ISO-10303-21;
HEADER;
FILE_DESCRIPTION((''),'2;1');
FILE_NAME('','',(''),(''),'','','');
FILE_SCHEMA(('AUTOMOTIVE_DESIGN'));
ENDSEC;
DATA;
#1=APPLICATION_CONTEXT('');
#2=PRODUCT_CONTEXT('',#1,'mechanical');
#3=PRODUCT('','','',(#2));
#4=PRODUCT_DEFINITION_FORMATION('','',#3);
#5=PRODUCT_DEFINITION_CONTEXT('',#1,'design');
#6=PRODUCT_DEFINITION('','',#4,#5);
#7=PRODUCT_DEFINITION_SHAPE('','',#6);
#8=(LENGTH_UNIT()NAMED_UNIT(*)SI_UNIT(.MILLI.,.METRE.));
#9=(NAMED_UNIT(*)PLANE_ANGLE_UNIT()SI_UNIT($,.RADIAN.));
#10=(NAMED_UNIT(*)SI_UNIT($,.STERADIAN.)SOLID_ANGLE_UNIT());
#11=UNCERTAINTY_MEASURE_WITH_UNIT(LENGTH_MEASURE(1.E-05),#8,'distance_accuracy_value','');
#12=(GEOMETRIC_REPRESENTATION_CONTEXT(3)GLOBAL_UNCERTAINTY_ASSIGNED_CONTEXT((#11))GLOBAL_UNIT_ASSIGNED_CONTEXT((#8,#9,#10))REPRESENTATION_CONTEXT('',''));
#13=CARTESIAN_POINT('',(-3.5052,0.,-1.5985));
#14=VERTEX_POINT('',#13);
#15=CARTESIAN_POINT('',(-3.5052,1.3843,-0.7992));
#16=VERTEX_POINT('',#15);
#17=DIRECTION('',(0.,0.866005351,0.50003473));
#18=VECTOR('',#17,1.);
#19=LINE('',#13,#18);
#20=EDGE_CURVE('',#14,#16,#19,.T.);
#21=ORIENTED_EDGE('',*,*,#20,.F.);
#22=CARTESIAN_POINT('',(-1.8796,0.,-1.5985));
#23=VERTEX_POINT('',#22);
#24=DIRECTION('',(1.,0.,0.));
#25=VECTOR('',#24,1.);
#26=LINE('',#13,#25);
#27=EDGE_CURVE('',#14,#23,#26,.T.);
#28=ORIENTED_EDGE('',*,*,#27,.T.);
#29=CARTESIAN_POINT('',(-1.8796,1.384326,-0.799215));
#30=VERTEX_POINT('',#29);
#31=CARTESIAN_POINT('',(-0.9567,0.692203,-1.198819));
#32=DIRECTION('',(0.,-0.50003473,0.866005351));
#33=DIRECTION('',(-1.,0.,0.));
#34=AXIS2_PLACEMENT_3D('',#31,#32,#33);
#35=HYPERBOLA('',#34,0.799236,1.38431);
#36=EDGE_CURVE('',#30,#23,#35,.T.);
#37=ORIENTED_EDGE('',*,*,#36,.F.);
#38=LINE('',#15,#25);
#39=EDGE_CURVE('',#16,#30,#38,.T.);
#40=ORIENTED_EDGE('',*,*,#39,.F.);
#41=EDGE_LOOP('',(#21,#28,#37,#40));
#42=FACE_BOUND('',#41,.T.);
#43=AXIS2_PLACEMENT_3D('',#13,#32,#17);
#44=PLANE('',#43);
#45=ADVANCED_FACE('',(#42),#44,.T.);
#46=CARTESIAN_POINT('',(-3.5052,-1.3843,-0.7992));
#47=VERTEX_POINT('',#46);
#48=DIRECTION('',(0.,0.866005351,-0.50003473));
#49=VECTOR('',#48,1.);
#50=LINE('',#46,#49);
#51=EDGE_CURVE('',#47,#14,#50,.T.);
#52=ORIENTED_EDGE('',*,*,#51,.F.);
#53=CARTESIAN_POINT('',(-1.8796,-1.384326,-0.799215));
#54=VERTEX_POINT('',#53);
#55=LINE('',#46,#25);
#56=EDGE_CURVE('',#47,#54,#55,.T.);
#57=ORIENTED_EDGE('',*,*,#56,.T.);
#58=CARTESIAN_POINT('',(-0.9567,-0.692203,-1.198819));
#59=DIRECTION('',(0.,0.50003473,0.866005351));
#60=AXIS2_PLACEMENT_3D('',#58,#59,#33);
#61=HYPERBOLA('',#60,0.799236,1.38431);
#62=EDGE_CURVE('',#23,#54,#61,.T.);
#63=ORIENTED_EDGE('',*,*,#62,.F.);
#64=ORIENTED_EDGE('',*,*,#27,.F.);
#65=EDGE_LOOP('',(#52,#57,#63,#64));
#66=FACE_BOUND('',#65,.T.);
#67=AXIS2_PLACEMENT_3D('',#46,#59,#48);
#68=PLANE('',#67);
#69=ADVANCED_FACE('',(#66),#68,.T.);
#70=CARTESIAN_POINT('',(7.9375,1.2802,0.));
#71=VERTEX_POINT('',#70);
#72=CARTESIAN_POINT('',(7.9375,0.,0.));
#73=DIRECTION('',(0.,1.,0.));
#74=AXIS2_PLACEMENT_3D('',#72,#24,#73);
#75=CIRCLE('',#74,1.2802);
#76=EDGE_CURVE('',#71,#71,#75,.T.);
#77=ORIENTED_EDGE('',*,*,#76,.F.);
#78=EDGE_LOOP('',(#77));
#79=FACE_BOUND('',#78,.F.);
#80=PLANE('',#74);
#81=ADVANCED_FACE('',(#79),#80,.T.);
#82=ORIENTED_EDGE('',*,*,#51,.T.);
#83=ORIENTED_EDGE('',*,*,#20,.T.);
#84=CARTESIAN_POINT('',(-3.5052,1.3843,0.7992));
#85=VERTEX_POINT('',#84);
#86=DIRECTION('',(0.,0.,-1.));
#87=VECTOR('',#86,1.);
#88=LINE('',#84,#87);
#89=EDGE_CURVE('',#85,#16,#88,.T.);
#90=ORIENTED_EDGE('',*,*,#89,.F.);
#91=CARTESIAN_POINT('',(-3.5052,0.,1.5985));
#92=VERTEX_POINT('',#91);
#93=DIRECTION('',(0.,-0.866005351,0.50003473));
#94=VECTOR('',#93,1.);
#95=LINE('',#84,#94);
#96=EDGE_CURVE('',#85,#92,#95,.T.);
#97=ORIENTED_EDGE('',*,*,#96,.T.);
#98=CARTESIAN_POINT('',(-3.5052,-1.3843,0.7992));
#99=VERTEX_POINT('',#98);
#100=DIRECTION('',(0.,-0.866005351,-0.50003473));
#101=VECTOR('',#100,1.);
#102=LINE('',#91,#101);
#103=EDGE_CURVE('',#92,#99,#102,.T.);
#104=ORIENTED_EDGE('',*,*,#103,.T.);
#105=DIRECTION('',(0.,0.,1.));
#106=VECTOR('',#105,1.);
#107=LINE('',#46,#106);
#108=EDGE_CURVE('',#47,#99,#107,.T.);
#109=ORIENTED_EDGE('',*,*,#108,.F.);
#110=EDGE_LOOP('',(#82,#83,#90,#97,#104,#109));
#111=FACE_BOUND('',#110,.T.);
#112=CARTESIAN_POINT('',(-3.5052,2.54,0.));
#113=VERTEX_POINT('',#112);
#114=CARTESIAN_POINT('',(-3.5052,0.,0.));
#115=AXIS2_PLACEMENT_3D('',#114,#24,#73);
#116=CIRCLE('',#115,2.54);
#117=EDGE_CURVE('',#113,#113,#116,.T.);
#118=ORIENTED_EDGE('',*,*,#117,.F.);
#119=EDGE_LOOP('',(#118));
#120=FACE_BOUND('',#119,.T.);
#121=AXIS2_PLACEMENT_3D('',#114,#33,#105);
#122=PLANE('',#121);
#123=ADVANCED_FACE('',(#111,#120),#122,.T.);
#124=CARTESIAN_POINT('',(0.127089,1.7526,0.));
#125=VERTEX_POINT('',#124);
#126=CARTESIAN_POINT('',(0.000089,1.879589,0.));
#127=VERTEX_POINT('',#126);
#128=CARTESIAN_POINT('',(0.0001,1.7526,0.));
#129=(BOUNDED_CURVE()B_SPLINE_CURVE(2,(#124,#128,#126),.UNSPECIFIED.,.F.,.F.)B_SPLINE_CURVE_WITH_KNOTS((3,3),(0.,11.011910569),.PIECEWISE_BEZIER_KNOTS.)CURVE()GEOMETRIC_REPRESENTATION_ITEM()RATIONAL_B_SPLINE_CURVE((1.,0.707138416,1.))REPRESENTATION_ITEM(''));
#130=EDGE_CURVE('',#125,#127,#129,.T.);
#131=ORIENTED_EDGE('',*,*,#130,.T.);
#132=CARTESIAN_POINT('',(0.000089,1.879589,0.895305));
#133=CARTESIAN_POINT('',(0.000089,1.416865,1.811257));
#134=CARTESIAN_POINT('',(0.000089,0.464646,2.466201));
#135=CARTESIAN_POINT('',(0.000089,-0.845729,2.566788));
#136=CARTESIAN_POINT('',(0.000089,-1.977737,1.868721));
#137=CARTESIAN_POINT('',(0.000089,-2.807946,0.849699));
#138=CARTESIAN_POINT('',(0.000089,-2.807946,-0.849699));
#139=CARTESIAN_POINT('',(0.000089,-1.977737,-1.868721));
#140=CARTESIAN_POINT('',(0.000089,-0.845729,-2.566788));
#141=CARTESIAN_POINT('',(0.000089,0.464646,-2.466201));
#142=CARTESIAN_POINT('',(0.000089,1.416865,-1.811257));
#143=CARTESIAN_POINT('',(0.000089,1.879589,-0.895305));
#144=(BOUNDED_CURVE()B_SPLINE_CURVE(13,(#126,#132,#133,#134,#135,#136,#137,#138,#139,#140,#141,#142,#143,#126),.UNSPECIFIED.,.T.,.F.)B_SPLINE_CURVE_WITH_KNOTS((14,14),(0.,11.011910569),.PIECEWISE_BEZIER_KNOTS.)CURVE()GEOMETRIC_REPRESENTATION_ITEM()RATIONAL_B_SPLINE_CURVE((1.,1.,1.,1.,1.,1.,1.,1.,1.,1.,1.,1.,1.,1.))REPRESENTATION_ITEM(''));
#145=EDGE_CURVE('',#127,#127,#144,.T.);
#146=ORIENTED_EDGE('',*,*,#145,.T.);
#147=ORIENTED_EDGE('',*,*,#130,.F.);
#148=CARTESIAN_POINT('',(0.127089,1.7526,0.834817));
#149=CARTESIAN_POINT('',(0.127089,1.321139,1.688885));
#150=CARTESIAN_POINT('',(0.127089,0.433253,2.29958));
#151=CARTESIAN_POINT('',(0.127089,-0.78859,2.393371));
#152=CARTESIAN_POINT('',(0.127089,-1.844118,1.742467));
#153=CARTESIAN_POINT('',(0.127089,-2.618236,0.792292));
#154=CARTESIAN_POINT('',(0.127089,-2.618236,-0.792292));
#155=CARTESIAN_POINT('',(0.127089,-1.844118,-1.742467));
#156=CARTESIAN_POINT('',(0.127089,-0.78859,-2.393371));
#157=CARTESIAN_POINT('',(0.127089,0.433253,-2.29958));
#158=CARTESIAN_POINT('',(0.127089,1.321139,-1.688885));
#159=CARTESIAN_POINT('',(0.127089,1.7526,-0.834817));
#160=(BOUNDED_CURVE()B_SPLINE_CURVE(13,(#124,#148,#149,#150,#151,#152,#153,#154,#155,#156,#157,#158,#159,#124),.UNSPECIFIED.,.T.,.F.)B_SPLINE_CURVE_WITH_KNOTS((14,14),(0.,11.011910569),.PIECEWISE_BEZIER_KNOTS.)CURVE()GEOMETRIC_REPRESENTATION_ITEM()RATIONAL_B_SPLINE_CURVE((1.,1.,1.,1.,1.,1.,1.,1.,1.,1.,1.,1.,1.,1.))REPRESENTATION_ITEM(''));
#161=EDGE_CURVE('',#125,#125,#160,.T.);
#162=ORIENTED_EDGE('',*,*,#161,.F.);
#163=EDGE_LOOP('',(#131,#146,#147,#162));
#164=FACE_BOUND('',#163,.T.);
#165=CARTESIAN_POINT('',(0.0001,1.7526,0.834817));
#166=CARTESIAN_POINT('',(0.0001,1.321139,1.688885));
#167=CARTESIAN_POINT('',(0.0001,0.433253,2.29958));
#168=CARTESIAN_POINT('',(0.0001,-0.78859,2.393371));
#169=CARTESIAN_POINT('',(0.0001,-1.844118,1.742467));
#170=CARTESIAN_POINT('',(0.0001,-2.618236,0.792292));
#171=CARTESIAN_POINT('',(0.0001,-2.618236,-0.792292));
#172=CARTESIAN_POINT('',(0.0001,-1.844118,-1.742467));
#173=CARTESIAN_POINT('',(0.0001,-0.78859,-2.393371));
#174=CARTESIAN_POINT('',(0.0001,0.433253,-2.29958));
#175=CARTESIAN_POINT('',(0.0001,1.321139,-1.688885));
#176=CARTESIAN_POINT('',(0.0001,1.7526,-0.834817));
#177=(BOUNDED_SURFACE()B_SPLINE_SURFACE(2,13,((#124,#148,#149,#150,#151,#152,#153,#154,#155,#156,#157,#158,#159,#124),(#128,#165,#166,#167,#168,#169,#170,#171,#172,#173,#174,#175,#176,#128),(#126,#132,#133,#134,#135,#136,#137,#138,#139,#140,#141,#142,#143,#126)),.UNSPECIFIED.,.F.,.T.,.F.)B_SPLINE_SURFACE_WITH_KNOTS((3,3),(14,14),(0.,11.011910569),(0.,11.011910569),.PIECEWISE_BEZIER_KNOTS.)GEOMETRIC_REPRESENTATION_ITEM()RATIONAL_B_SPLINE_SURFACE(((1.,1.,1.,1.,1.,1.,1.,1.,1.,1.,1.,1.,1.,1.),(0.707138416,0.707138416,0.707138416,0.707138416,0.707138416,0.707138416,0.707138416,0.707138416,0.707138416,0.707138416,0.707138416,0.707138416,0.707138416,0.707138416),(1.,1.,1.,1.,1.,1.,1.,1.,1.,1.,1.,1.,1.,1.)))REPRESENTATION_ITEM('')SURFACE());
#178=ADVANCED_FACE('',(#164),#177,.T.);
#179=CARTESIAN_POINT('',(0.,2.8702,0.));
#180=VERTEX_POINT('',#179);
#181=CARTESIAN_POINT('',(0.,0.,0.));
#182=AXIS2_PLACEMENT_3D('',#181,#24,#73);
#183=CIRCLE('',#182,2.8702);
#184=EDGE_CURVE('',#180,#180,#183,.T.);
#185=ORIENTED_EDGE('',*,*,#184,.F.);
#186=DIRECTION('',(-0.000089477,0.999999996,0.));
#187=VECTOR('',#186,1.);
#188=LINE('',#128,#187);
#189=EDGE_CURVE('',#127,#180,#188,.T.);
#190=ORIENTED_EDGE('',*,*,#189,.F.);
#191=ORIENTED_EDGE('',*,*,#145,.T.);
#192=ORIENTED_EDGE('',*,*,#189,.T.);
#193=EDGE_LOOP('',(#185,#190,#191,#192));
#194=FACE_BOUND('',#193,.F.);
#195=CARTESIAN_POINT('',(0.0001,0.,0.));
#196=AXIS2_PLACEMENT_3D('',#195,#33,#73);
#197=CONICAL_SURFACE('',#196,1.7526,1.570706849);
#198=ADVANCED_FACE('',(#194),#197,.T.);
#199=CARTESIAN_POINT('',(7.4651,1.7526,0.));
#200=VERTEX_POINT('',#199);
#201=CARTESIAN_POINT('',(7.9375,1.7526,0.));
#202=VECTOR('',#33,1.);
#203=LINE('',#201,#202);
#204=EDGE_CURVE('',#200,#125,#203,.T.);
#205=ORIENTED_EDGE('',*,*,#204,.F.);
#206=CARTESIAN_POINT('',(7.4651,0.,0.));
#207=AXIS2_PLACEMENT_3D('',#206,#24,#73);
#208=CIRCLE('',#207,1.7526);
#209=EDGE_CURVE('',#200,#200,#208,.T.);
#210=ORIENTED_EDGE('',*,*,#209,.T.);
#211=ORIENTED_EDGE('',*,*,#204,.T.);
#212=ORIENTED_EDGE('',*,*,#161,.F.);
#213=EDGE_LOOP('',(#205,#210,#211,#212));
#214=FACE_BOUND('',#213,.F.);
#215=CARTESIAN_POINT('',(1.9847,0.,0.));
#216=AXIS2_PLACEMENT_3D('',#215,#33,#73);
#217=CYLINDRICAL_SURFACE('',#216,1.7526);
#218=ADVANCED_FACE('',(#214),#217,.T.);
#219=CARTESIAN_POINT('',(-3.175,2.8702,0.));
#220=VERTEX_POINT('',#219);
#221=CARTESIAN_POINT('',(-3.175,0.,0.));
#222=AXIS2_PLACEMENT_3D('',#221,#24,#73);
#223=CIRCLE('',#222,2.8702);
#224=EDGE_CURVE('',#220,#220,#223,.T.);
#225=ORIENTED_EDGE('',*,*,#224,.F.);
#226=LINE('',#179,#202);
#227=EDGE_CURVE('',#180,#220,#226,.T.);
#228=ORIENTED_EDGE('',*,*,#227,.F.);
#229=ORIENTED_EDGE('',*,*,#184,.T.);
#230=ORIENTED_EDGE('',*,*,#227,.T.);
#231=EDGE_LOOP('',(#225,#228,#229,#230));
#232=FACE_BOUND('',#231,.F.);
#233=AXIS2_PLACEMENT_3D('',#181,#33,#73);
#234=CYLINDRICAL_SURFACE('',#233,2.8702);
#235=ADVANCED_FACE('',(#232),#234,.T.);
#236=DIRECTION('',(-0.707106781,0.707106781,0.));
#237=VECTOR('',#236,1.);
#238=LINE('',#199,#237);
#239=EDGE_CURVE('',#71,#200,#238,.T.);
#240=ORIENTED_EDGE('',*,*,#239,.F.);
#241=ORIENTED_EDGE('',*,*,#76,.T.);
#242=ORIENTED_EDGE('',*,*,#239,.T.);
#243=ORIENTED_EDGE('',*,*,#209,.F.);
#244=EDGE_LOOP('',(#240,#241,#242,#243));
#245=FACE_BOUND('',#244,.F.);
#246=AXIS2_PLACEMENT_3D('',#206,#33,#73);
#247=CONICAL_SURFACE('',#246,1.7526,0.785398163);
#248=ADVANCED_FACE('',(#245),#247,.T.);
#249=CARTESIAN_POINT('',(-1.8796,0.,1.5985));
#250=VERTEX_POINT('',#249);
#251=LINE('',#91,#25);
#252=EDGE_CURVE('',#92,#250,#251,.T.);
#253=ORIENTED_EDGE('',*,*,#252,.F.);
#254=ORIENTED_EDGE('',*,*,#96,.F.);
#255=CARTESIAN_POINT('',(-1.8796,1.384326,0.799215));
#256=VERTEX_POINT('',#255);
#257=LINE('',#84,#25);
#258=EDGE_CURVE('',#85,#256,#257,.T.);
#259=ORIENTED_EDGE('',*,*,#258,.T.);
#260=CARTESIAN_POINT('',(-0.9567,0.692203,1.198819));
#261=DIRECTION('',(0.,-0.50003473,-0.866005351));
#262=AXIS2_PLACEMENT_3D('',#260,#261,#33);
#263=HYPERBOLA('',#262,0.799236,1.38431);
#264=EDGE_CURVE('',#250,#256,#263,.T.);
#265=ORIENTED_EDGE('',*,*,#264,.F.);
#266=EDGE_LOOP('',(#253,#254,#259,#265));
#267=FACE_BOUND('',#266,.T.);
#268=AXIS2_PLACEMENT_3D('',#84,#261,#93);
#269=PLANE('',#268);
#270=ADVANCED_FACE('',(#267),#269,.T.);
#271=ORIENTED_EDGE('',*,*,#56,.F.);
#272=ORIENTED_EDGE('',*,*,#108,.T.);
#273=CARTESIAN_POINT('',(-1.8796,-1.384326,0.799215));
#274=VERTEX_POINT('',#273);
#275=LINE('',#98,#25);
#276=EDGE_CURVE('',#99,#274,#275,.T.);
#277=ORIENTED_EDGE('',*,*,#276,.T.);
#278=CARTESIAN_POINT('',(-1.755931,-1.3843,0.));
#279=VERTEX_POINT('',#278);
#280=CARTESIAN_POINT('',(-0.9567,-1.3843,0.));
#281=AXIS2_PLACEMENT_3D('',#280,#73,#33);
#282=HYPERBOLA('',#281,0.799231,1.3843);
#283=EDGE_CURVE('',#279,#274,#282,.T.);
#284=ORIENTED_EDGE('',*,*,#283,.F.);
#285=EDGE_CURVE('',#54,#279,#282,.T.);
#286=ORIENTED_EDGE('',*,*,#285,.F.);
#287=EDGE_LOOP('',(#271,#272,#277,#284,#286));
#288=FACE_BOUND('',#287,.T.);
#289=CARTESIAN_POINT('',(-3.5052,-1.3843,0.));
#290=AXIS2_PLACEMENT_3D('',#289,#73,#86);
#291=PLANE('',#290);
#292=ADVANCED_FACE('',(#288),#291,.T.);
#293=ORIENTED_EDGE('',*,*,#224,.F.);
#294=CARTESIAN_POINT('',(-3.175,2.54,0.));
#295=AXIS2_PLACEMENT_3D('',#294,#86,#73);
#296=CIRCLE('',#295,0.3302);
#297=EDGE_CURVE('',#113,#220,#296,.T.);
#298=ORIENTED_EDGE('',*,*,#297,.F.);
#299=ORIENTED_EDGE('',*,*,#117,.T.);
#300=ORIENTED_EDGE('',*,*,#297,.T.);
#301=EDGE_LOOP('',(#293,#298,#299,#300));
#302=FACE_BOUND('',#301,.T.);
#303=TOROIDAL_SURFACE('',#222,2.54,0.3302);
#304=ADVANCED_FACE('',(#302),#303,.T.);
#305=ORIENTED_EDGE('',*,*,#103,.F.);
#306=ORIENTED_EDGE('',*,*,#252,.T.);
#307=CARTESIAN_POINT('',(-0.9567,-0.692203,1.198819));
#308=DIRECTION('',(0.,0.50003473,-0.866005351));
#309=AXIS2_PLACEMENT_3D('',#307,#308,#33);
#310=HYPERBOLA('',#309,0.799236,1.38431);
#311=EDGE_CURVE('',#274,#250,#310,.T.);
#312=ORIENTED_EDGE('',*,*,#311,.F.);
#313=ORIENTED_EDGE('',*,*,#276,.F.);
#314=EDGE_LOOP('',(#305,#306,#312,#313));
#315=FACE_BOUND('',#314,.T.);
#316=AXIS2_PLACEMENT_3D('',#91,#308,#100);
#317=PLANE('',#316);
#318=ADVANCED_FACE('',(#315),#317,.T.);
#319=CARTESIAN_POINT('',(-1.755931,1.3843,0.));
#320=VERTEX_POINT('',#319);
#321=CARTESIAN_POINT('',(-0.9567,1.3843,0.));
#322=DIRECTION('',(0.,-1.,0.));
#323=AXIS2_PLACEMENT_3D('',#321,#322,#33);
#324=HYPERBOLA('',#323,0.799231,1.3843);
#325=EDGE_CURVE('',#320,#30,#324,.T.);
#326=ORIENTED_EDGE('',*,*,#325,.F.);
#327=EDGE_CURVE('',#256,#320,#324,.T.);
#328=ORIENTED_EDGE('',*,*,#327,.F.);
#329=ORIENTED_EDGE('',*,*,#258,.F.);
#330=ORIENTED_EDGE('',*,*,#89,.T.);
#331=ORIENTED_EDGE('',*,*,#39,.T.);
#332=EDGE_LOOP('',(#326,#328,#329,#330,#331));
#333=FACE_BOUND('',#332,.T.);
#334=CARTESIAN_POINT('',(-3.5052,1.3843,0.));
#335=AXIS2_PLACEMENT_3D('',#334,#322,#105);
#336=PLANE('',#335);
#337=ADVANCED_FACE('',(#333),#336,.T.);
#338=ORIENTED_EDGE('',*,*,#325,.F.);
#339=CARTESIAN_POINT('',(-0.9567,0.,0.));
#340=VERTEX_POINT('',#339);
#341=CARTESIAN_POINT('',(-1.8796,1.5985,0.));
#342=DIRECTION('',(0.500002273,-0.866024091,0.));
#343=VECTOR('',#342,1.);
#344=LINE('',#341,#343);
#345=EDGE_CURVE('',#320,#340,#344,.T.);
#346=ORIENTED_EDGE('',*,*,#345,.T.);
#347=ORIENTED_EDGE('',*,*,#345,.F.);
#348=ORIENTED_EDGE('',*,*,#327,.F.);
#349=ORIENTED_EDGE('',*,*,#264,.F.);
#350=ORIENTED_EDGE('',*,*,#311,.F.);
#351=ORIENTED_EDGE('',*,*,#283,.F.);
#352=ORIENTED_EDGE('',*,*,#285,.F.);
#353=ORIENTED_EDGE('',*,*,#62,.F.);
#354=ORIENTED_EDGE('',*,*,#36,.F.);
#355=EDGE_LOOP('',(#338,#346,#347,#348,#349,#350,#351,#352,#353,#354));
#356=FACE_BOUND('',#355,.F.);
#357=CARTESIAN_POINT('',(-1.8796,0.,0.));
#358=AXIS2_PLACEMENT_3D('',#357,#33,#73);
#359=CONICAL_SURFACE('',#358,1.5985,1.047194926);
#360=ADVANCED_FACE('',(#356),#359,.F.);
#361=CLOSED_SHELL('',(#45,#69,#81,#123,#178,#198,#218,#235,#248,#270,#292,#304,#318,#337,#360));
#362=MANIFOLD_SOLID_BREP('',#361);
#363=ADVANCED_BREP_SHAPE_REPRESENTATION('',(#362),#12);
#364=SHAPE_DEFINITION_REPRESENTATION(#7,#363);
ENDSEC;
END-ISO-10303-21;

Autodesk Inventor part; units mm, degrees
ref_plane "YZ Plane" through (0, 0, 0) normal (1, 0, 0) x (0, 1, 0)
ref_plane "XZ Plane" through (0, 0, 0) normal (0, 1, 0) x (-1, 0, 0)
sketch "Sketch1" plane through (0, 0, 0) normal (0, 0, 1) x (1, 0, 0)
  line L0 (-0.9567, 0) -> (7.9375, 0)
  line L1 (7.9375, 0) -> (7.9375, 1.7526)
  line L2 (7.9375, 1.7526) -> (1.9847, 1.7526)
  line L3 (1.9847, 1.7526) -> (0.0001, 1.7526)
  line L4 (0.0001, 1.7526) -> (0, 1.7526)
  line L5 (0, 1.7526) -> (0, 2.8702)
  line L6 (0, 2.8702) -> (-3.5052, 2.8702)
  line L7 (-3.5052, 2.8702) -> (-3.5052, 1.5985)
  line L8 (-3.5052, 1.5985) -> (-1.8796, 1.5985)
  line L9 (-1.8796, 1.5985) -> (-0.9567, 0)
  line L10 (-5.7937, 0) -> (10.226, 0) projected
  line L11 (0, -0.574) -> (0, 3.4442) projected
  line L12 (1.9847, 1.7526) -> (0, 1.7526) construction
  dimension "d1" = 5.9528
  dimension "d2" = 1.9846
  dimension "d3" = 3.5052
  dimension "d4" = 1.6256
  dimension "d5" = 60
  dimension "d6" = 3.5052
  dimension "d7" = 3.5052
  dimension "d8" = 3.1969
  dimension "d9" = 5.7404
  dimension "d26" = 7.9375
revolve "Body" add sketch "Sketch1" angle 360 about axis through (-0.9567, 0, 0) along (1, 0, 0)
sketch "Sketch2" plane through (-3.5052, 0, 0) normal (-1, 0, 0) x (0, 0, 1)
  circle A0 centre (0, 0) radius 1.5985 projected
  line L0 (0, -4.0183) -> (0, 4.0183) projected
  line L1 (-4.0183, 0) -> (4.0183, 0) projected
  line L2 (1.5985, 0) -> (0.7992, -1.3843)
  line L3 (0.7992, -1.3843) -> (-0.7992, -1.3843)
  line L4 (-0.7992, -1.3843) -> (-1.5985, 0)
  line L5 (-1.5985, 0) -> (-0.7992, 1.3843)
  line L6 (-0.7992, 1.3843) -> (0.7992, 1.3843)
  line L7 (0.7992, 1.3843) -> (1.5985, 0)
extrude "Slot" add sketch "Sketch2" against normal up to next contours L7 A0 | A0 L2 | L6 L0 A0 | A0 L0 L3 | L0 L6 A0 | A0 L3 L0 | L4 A0 | A0 L5
fillet "Fillet1" radius 0.3302 1 edges at (-3.5052, -2.8702, 0)
thread "Thread" size "6-32 UNC" class "2A" standard "ANSI Unified Screw Threads" length 5.9528
chamfer "Chamfer1" distance 0.4724 distance2 0.4724 1 edges at (7.9375, -1.7526, 0) measured on face at (7.9375, -0.5672, -0.1398)
ref_plane "Work Plane1" through (29, 0, 0) normal (0, -1, 0) x (1, 0, 0)
fillet "Fillet2" radius 0.127 1 edges at (0.0001, -1.7526, 0)
equation "\"d1\" = GEL"
equation "\"d3\" = KOH"
equation "\"d4\" = INTI"
equation "\"d6\" = GD"
equation "\"d7\" = BDM"
equation "\"d8\" = 1.1547 * SW"
equation "\"d9\" = KOD"
equation "\"d26\" = NLG"
equation "\"d30\" = R"
equation "\"d17\" = RR"
equation "\"d13\" = GEL"
equation "\"d15\" = -0.5 * SPD + 0.5 * GD"
equation "\"d16\" = GUL"
equation "\"GD\" = 3.5052"
equation "\"NLG\" = 7.9375"
equation "\"GEL\" = 5.9528"
equation "\"KOD\" = 5.7404"
equation "\"KOH\" = 3.5052"
equation "\"INTI\" = 1.6256"
equation "\"GAL\" = 1.9845"
equation "\"GUL\" = 0.47244"
equation "\"BDM\" = 3.5052"
equation "\"SW\" = 2.7686"
equation "\"RR\" = 0.3302"
equation "\"SPD\" = 2.56032"
equation "\"R\" = 0.127"
equation "\"PHH\" = 0.127"
equation "\"GD1\" = SPD"
equation "\"THREADDIA\" = 3.5052"
equation "\"FAWI\" = 45deg"
equation "\"KOH1\" = 3.1496"
equation "\"NND\" = 3.5052"
equation "\"TOA\" = 30deg"
equation "\"E0\" = 1.155 * SW"
properties part number "ANSI B18.3 - No. 6 - 32 UNC - 5/16 HS HCS" material "Steel, Mild"
